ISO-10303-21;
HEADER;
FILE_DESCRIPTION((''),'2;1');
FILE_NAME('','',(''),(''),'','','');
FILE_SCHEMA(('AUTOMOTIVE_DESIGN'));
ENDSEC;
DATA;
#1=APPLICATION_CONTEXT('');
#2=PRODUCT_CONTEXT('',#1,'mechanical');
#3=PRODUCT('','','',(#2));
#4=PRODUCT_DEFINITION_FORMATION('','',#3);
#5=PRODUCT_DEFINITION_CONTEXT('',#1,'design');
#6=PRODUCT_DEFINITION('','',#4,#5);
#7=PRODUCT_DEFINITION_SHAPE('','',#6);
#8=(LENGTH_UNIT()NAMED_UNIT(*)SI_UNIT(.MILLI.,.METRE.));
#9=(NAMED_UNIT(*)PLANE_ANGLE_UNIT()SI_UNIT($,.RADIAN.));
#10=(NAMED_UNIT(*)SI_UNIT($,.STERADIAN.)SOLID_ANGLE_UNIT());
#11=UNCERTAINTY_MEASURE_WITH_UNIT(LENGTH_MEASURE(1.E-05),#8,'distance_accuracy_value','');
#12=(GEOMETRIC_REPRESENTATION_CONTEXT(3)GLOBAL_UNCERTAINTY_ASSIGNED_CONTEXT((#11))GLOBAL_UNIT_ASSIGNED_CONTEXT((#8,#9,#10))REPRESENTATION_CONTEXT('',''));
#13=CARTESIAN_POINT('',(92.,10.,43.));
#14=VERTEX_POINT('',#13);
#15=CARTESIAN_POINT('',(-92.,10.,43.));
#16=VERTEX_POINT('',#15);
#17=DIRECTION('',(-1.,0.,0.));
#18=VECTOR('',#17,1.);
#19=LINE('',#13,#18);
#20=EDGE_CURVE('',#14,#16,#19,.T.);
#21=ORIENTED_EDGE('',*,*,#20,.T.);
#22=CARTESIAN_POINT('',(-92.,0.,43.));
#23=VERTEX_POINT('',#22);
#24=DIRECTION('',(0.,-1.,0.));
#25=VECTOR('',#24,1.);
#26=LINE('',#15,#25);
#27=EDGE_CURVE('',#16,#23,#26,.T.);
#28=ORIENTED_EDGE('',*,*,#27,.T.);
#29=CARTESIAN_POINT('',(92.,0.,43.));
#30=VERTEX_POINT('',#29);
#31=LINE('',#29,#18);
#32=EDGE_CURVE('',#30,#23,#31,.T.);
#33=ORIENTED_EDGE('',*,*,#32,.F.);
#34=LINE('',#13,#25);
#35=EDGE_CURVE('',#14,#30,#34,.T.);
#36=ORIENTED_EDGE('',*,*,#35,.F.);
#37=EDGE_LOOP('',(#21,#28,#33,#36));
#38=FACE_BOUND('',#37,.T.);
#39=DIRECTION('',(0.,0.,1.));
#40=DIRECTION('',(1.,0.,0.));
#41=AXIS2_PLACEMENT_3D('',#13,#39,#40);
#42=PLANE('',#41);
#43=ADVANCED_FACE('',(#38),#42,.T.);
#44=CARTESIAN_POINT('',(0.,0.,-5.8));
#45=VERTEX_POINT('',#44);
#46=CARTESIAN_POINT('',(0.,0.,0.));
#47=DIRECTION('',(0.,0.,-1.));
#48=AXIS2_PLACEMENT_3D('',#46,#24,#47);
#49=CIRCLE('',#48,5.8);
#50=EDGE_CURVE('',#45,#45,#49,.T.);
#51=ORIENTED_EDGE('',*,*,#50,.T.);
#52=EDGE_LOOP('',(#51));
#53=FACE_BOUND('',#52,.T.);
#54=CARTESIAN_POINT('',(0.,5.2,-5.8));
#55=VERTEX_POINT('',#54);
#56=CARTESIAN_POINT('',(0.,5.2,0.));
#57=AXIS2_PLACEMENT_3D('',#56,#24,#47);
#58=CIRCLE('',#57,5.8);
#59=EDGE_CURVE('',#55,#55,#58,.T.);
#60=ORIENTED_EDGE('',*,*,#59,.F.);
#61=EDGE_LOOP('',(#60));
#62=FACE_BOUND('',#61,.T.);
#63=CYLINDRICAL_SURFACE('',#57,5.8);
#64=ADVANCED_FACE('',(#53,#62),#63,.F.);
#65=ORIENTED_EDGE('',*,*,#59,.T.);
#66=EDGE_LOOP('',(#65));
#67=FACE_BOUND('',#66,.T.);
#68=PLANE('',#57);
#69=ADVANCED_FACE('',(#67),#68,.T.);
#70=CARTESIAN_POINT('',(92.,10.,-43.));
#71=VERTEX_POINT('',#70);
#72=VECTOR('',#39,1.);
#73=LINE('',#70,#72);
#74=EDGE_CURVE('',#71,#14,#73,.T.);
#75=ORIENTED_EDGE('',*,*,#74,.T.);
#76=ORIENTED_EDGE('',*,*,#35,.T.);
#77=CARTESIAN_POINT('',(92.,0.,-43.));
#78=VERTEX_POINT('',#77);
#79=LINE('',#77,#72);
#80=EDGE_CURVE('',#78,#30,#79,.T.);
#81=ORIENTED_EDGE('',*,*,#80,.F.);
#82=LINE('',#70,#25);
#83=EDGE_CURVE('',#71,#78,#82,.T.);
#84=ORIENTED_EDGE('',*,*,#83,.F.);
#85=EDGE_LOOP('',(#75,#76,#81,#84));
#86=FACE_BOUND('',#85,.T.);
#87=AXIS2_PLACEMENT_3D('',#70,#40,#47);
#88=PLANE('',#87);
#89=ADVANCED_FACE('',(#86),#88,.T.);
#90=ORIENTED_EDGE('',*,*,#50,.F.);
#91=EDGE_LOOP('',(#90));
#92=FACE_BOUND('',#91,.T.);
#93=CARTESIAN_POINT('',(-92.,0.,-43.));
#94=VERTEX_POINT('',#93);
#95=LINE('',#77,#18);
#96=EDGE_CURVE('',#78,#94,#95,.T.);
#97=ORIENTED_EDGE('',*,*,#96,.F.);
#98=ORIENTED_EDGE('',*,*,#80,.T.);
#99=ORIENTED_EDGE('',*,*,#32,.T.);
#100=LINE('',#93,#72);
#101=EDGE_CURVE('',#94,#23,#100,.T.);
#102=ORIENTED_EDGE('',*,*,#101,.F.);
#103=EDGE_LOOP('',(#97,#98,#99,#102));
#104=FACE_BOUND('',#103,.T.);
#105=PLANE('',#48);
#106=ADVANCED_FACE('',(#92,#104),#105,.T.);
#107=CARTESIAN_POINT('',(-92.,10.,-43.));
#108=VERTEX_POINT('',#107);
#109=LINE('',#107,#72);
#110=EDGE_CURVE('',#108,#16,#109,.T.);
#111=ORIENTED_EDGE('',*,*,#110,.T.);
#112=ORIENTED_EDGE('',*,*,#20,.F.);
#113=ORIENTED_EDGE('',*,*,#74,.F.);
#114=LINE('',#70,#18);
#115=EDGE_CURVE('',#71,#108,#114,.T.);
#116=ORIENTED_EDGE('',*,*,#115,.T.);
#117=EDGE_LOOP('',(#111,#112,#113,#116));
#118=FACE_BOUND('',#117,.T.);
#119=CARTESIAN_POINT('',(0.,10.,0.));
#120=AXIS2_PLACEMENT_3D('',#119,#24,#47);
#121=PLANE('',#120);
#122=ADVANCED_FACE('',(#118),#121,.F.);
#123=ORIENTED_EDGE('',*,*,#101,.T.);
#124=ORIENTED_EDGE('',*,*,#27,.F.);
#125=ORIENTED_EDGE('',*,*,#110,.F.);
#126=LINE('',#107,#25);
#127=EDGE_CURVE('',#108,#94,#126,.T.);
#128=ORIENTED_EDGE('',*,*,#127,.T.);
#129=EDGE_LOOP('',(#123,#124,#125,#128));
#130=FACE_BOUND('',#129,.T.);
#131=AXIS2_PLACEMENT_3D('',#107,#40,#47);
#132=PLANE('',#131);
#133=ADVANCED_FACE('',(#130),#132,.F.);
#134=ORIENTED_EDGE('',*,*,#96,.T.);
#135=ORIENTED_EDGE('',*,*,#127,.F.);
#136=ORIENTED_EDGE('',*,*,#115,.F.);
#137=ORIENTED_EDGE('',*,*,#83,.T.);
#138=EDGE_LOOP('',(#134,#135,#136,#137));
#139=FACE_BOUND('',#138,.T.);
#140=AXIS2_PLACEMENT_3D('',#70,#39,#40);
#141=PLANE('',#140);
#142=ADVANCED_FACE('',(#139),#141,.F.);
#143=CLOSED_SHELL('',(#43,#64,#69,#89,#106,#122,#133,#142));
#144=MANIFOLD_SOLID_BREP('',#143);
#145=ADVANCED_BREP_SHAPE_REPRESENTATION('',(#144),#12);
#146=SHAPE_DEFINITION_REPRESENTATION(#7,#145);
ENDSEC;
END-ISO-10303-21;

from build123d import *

# Parameters (mm, degrees)
SKETCH1_W                  = 184
SKETCH1_H                  = 86
BASE_DEPTH                 = 10
SKETCH2_R                  = 5.8
LOAD_CELL_BUTTON_CUT_DEPTH = 5.2


with BuildPart() as part:
    # Sketch1 → base (new body)
    with BuildSketch(Plane(origin=(0, 0, 0), x_dir=(1, 0, 0), z_dir=(0, 1, 0))):
        Rectangle(SKETCH1_W, SKETCH1_H)
    extrude(amount=BASE_DEPTH)

    # Sketch2 → load cell button cut (cut)
    with BuildSketch(Plane.XZ):
        Circle(SKETCH2_R)
    extrude(amount=-LOAD_CELL_BUTTON_CUT_DEPTH, mode=Mode.SUBTRACT)


solid = part.part
